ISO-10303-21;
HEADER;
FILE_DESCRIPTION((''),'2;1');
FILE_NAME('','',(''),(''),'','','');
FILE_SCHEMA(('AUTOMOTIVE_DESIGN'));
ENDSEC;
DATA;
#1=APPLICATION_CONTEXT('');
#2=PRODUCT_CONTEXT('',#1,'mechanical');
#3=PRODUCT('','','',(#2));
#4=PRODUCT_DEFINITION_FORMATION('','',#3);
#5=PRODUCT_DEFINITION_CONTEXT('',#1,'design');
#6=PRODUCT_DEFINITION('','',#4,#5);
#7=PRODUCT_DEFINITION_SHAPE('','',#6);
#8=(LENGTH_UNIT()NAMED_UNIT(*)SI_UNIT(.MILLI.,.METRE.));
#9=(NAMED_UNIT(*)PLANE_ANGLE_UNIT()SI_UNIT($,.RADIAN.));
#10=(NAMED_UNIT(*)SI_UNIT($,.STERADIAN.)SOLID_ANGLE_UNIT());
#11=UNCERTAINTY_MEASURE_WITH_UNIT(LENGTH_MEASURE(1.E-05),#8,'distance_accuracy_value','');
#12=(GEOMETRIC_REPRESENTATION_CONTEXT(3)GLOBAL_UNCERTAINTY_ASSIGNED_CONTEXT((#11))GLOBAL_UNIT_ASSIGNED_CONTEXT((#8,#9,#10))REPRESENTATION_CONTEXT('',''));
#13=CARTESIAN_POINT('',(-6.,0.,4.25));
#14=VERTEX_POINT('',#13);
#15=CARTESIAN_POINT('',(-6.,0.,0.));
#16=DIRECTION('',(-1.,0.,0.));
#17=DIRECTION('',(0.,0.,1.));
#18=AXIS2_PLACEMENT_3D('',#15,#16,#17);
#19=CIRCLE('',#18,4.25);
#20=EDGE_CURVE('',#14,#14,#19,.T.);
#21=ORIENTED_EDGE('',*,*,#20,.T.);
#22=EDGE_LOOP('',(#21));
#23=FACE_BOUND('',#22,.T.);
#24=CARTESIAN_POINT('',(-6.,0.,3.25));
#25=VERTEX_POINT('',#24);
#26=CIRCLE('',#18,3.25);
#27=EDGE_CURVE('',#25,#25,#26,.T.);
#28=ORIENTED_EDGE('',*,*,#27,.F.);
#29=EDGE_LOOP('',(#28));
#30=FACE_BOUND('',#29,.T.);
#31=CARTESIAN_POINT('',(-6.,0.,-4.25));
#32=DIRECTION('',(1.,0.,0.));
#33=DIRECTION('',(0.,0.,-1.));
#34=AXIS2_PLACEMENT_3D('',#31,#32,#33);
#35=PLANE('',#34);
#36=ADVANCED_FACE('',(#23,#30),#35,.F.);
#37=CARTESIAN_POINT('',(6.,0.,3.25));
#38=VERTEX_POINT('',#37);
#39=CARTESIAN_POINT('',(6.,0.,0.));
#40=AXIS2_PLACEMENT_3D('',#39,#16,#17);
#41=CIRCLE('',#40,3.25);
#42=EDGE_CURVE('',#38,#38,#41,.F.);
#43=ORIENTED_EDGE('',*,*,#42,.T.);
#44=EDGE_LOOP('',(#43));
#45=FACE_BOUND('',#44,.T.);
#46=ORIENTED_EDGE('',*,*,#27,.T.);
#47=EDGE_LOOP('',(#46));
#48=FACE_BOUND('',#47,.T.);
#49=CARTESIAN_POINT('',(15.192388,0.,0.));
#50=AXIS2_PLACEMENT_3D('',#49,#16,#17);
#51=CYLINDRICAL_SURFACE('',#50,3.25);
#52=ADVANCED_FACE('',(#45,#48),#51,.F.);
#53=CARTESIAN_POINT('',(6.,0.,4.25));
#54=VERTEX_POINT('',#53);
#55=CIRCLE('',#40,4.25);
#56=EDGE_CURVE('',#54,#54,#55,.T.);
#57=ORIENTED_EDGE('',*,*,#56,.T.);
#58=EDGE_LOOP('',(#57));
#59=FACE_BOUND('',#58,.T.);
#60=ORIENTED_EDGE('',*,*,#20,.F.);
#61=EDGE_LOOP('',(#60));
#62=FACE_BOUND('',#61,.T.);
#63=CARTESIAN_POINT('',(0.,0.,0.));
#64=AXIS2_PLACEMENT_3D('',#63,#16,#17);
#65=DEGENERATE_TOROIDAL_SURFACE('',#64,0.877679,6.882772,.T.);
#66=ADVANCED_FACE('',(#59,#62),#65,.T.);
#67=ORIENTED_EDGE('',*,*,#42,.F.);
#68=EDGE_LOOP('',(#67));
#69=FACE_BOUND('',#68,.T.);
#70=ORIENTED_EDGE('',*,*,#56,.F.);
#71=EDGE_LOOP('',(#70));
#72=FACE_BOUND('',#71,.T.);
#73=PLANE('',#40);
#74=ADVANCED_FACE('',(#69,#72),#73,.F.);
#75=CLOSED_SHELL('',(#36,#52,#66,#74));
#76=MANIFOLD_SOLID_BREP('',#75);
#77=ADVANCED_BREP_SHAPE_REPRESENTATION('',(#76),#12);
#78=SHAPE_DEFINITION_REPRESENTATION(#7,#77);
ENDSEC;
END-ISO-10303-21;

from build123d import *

# Parameters (mm, degrees)
SKETCH3_R          = 3.25
CUT_EXTRUDE1_DEPTH = 12


with BuildPart() as part:
    # Sketch2 → Revolve1 (revolve)
    with BuildSketch(Plane(origin=(0, 0, 0), x_dir=(1, 0, 0), z_dir=(0, 1, 0)), mode=Mode.PRIVATE) as revolve1_sk:
        with BuildLine():
            Line((-6, 4.25), (-6, 0))
            Line((-6, 0), (6, 0))
            Line((6, 0), (6, 4.25))
            ThreePointArc((6, 4.25), (0, 7.760450854), (-6, 4.25))
        make_face()
    revolve(revolve1_sk.sketch.rotate(Axis((-9.049218589, 0, 0), (1, 0, 0)), 180), axis=Axis((-9.049218589, 0, 0), (1, 0, 0)))

    # Sketch3 → Cut-Extrude1 (cut)
    with BuildSketch(Plane.ZY.offset(6)):
        Circle(SKETCH3_R)
    extrude(amount=-CUT_EXTRUDE1_DEPTH, mode=Mode.SUBTRACT)


solid = part.part
